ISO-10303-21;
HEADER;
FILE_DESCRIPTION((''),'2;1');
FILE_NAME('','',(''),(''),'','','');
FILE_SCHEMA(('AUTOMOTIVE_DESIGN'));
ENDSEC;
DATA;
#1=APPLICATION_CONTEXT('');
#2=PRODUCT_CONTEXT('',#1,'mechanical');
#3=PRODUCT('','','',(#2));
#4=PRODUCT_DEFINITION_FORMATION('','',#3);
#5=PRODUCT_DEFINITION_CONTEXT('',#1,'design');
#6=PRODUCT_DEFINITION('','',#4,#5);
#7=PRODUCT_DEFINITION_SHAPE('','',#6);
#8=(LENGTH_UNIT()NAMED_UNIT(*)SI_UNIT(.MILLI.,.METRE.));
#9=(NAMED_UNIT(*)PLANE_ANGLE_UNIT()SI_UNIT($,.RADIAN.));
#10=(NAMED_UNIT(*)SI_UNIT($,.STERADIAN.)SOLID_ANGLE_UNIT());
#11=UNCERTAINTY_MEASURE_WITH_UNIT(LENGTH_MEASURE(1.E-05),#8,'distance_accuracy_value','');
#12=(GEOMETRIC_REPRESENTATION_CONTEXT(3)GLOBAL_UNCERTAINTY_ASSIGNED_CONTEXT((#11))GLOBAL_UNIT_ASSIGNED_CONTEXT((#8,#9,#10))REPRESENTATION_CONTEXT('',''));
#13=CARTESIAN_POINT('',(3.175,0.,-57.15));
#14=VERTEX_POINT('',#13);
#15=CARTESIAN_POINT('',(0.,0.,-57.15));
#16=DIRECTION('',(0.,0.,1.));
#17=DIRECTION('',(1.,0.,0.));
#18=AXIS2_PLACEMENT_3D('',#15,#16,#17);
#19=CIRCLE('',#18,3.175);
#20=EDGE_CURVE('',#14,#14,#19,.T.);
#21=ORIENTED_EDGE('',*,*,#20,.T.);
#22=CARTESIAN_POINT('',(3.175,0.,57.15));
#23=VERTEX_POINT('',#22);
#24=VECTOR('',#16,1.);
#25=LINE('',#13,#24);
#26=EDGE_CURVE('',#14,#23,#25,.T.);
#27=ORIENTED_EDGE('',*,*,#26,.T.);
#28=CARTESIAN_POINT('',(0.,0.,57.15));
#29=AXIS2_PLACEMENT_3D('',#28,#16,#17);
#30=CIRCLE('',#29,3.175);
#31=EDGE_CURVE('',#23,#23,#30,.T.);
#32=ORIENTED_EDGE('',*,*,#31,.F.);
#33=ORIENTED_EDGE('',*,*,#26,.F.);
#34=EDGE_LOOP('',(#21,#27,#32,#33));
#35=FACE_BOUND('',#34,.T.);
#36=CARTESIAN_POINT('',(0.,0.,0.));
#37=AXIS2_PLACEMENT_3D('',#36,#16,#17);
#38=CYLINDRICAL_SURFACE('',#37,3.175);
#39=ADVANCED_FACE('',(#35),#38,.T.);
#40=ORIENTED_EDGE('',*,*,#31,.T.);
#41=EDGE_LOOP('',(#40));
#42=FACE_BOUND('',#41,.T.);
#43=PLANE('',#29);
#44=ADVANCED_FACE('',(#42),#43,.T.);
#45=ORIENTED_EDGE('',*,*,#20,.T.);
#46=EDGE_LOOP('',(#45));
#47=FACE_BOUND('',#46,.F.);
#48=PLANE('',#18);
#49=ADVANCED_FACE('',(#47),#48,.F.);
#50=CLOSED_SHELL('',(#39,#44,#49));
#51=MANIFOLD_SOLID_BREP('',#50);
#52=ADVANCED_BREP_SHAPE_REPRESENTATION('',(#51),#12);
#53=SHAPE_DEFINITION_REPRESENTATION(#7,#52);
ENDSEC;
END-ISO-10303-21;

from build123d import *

# Parameters (mm, degrees)
SKETCH1_R           = 3.175
BOSS_EXTRUDE1_DEPTH = 57.15


with BuildPart() as part:
    # Sketch1 → Boss-Extrude1 (new body, symmetric)
    with BuildSketch(Plane.XY):
        Circle(SKETCH1_R)
    extrude(amount=BOSS_EXTRUDE1_DEPTH, both=True)


solid = part.part
